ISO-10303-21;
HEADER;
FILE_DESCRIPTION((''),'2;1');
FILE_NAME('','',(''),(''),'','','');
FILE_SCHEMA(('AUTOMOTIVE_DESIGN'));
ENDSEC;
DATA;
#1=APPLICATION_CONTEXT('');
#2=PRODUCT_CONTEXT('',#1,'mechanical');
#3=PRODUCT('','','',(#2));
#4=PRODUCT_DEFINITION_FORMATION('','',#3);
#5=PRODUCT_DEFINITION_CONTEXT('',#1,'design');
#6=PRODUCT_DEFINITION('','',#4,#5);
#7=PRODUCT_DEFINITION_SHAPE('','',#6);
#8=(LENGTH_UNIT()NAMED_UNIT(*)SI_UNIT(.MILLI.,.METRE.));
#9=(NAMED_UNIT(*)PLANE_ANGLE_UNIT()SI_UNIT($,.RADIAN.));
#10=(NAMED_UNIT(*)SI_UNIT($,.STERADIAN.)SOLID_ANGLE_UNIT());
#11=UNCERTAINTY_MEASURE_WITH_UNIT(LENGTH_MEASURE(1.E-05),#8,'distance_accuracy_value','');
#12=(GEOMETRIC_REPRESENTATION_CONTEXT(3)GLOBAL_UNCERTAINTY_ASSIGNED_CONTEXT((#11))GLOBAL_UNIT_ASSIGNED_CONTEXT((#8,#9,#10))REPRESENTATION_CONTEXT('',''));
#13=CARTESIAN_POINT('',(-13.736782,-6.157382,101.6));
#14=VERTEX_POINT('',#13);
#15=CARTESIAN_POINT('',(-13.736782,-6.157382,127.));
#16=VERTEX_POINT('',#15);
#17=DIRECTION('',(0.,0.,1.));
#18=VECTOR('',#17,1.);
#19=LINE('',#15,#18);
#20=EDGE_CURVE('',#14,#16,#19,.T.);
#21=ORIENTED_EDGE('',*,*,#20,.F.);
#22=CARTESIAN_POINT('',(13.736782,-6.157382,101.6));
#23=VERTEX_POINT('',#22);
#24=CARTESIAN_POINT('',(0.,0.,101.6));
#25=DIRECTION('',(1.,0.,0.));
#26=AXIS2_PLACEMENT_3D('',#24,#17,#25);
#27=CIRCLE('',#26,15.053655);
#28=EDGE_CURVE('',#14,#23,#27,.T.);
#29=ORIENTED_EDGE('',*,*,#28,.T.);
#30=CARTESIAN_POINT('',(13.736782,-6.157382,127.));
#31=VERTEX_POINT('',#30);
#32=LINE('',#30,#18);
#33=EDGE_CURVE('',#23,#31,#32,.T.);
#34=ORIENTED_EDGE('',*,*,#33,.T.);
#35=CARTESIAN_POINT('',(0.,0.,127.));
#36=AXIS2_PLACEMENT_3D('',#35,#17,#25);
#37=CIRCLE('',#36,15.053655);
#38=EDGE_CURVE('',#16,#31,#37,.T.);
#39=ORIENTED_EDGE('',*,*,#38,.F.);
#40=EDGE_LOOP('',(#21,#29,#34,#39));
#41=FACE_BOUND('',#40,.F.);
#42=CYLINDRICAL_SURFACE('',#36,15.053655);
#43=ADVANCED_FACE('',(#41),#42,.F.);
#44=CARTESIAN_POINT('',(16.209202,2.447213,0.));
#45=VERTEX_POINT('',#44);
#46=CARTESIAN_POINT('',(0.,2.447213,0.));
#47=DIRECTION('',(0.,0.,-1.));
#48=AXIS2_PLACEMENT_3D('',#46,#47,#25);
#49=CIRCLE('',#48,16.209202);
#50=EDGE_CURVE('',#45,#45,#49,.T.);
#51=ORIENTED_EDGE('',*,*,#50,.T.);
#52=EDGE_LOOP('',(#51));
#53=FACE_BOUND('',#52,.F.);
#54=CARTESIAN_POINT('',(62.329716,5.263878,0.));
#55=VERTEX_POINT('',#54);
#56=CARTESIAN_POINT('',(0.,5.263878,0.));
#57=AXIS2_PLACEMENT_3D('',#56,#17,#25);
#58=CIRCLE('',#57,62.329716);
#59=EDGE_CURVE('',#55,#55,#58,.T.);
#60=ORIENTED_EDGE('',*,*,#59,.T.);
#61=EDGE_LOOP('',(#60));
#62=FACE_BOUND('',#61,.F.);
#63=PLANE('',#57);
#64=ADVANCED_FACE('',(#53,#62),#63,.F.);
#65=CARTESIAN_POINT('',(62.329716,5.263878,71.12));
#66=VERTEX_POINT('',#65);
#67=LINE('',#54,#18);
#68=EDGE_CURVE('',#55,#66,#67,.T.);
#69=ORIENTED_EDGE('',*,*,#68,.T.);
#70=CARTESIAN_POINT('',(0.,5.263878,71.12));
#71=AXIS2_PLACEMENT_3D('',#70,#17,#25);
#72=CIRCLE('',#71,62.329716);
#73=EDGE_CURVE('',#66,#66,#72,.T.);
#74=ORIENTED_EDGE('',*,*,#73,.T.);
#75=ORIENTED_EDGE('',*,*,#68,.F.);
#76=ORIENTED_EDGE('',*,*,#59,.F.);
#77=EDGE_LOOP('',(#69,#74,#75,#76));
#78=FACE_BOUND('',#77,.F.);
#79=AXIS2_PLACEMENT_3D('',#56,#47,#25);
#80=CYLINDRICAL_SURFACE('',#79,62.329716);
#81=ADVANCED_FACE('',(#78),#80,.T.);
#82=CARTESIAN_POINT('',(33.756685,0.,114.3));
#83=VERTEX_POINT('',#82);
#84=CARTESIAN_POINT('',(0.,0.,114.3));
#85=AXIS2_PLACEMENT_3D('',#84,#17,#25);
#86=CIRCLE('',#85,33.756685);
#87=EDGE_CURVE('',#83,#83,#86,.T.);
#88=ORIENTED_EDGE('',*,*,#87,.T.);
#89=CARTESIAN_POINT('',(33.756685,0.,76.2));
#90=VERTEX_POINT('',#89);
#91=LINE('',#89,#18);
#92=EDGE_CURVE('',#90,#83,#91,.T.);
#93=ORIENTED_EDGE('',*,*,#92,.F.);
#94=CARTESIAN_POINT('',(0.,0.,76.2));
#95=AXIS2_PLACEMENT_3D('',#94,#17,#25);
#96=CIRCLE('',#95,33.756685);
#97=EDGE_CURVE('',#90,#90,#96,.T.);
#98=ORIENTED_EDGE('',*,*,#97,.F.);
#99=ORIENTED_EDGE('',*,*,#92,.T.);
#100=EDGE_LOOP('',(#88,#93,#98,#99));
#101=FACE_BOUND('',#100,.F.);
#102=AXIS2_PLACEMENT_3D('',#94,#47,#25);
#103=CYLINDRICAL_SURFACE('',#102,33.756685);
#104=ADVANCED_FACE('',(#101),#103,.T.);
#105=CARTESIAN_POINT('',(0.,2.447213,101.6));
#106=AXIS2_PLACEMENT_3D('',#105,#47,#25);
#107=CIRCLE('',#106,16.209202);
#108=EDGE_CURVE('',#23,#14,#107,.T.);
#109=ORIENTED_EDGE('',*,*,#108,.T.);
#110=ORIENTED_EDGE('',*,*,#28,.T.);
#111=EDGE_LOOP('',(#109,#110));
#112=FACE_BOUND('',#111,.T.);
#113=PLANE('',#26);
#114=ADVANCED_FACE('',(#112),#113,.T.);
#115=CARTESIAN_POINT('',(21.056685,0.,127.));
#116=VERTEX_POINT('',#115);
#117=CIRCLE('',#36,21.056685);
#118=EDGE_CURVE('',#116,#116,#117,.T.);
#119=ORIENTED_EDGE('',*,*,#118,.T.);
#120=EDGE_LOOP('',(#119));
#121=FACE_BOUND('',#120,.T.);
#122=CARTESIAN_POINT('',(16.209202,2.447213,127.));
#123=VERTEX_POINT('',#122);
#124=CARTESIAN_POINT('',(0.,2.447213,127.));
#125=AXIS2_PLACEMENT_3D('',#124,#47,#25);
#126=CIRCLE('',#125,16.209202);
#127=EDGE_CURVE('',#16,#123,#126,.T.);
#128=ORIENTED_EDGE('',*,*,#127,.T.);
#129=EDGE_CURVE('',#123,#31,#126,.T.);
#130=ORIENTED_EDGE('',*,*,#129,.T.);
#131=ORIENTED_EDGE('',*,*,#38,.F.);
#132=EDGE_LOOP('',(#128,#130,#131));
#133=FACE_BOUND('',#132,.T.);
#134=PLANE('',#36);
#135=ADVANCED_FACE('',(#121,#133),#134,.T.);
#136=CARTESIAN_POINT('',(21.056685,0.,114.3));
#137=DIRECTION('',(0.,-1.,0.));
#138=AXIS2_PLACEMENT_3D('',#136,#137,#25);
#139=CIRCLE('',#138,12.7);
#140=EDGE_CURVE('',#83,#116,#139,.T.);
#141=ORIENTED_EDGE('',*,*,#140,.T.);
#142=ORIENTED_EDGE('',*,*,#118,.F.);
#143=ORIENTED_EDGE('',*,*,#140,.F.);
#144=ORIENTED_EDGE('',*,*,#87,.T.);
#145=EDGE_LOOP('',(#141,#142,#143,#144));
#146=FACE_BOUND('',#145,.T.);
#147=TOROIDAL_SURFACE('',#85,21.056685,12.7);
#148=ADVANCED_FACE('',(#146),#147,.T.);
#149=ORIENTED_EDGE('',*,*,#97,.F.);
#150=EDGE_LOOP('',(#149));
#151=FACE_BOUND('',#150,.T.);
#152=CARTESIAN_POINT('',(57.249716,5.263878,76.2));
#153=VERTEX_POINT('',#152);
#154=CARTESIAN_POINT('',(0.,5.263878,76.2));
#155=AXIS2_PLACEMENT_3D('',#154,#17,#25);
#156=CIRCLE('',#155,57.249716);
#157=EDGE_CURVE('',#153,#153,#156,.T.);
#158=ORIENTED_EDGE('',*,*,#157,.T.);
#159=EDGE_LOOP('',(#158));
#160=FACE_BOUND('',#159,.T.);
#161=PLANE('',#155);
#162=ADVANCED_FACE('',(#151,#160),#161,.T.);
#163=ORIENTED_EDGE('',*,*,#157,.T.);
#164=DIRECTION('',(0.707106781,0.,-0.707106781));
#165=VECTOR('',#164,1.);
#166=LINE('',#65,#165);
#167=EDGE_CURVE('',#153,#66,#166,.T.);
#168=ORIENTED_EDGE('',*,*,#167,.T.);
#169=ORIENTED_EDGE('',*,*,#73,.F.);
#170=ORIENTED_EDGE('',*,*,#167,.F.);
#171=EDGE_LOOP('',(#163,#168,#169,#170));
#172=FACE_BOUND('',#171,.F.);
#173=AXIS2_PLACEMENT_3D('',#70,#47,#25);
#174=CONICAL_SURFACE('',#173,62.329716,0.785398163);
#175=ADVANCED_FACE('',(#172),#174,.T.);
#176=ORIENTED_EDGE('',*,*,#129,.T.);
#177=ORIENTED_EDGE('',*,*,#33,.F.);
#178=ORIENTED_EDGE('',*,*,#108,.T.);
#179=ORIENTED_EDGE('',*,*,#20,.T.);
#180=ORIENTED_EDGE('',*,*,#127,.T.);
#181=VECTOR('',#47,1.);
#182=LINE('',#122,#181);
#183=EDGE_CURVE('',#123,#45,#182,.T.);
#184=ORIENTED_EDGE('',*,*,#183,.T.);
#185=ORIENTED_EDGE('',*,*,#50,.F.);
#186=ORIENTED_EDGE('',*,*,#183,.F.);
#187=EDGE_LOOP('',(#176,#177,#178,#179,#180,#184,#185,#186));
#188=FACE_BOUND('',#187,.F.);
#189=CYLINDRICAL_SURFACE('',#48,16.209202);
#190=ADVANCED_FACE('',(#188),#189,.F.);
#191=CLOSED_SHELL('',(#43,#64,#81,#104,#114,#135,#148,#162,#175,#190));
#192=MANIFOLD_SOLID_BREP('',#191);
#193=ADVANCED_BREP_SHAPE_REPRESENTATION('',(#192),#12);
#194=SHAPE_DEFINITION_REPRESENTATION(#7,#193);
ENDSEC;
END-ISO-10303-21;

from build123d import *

# Parameters (mm, degrees)
F0_R      = 62.329716
F1_DEPTH  = 76.2
F2_R      = 33.756685
F3_DEPTH  = 50.8
F4_R      = 15.053655
F5_DEPTH  = 25.4
F6_R      = 16.209202
F7_DEPTH  = 25.4
F7_FACE_R = 16.209202
F8_DEPTH  = 254
F9_R      = 12.7
F10_SIZE  = 5.08


with BuildPart() as f1:
    # F0 (on Top) → F1 (new body)
    with BuildSketch(Plane.XY):
        with Locations((0, 5.263878)):
            Circle(F0_R)
    extrude(amount=F1_DEPTH)

    # F2 (on face) → F3 (join)
    with BuildSketch(Plane.XY.offset(76.2)):
        Circle(F2_R)
    extrude(amount=F3_DEPTH)

    # F4 (on face) → F5 (cut)
    with BuildSketch(Plane.XY.offset(127)):
        Circle(F4_R)
    extrude(amount=-F5_DEPTH, mode=Mode.SUBTRACT)

    # F6 (on face) → F7 (cut)
    with BuildSketch(Plane(origin=(0, 0, 0), x_dir=(1, 0, 0), z_dir=(0, 0, -1))):
        with Locations((0, -2.447213)):
            Circle(F6_R)
    extrude(amount=-F7_DEPTH, mode=Mode.SUBTRACT)

    # F7_face (on face) → F8 (cut)
    with BuildSketch(Plane(origin=(0, 2.447213, 25.4), x_dir=(1, 0, 0), z_dir=(0, 0, -1))):
        Circle(F7_FACE_R)
    extrude(amount=-F8_DEPTH, mode=Mode.SUBTRACT)

    # F9
    f9_edges = [f1.edges().sort_by_distance(p)[0] for p in [
        (-33.756685, 0, 127),
    ]]
    fillet(f9_edges, radius=F9_R)

    # F10
    f10_edges = [f1.edges().sort_by_distance(p)[0] for p in [
        (-62.329716, 5.263878, 76.2),
    ]]
    chamfer(f10_edges, length=F10_SIZE)


solid = f1.part
